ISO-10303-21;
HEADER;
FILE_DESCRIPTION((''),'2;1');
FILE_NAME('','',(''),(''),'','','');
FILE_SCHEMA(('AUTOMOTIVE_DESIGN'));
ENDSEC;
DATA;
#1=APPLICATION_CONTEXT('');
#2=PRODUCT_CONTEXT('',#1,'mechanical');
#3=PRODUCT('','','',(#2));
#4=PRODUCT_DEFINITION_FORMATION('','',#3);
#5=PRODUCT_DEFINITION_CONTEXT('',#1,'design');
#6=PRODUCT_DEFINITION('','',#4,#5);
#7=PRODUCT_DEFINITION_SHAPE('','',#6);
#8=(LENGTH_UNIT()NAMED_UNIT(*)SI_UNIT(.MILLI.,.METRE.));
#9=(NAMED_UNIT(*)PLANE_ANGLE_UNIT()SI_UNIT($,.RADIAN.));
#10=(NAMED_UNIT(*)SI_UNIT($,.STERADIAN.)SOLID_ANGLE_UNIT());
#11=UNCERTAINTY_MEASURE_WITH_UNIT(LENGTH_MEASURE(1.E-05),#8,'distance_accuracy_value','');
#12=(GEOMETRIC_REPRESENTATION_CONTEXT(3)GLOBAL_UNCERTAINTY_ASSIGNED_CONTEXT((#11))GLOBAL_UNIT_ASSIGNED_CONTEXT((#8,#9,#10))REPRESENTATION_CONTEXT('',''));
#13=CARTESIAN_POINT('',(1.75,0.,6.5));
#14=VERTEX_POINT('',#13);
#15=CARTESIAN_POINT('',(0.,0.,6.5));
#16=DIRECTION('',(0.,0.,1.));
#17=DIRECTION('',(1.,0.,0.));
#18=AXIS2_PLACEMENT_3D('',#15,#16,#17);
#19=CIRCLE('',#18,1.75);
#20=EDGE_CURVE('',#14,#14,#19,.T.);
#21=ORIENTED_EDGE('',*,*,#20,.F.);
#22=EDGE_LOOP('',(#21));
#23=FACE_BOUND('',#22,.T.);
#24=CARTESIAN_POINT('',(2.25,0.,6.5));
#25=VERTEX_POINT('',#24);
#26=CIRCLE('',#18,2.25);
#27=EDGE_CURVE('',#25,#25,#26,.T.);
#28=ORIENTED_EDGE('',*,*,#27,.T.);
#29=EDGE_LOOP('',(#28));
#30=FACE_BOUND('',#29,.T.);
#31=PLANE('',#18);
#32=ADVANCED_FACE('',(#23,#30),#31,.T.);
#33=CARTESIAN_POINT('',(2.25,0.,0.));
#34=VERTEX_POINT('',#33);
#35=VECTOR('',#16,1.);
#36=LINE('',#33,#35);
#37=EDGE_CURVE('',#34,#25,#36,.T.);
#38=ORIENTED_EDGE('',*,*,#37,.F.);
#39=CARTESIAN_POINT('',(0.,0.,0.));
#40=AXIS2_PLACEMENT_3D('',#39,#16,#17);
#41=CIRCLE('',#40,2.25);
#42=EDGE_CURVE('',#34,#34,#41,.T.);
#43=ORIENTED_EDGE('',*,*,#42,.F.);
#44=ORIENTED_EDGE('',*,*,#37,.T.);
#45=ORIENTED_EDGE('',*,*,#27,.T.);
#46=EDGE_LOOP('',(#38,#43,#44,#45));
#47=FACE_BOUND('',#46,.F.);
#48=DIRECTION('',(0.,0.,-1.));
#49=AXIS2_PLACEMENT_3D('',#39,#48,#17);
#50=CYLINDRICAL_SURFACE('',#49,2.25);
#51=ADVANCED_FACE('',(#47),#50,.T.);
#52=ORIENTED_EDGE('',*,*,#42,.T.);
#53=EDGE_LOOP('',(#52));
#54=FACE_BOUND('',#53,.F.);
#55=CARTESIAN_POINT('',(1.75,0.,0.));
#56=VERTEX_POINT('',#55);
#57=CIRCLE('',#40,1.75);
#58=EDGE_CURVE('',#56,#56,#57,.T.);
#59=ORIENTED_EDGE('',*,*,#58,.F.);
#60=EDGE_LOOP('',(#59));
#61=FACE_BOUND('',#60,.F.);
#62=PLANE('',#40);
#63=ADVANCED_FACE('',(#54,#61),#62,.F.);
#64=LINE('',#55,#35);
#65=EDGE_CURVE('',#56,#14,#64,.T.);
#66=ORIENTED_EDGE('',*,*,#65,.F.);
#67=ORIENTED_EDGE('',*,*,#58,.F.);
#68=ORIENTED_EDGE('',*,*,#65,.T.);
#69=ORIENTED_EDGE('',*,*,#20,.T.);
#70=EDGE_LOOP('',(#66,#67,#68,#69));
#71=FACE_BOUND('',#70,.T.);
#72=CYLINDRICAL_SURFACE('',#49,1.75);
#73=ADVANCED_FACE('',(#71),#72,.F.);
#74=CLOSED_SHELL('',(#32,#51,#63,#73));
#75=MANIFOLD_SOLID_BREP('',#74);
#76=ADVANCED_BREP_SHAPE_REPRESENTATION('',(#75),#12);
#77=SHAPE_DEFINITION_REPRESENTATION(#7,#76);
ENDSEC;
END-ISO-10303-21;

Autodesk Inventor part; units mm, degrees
ref_plane "YZ Plane" through (0, 0, 0) normal (1, 0, 0) x (0, 1, 0)
ref_plane "XZ Plane" through (0, 0, 0) normal (0, 1, 0) x (-1, 0, 0)
ref_plane "XY Plane" through (0, 0, 0) normal (0, 0, 1) x (1, 0, 0)
sketch "スケッチ1" plane through (0, 0, 0) normal (0, 0, 1) x (1, 0, 0)
  circle A0 centre (0, 0) radius 2.25
  circle A1 centre (0, 0) radius 1.75
  dimension "d0" = 4.5
  dimension "d4" = 0.5
extrude "押し出し2" add sketch "スケッチ1" along normal blind 6.5
properties part number "Parts_CoilSpring_CP_0.5-4.5-6.5"
